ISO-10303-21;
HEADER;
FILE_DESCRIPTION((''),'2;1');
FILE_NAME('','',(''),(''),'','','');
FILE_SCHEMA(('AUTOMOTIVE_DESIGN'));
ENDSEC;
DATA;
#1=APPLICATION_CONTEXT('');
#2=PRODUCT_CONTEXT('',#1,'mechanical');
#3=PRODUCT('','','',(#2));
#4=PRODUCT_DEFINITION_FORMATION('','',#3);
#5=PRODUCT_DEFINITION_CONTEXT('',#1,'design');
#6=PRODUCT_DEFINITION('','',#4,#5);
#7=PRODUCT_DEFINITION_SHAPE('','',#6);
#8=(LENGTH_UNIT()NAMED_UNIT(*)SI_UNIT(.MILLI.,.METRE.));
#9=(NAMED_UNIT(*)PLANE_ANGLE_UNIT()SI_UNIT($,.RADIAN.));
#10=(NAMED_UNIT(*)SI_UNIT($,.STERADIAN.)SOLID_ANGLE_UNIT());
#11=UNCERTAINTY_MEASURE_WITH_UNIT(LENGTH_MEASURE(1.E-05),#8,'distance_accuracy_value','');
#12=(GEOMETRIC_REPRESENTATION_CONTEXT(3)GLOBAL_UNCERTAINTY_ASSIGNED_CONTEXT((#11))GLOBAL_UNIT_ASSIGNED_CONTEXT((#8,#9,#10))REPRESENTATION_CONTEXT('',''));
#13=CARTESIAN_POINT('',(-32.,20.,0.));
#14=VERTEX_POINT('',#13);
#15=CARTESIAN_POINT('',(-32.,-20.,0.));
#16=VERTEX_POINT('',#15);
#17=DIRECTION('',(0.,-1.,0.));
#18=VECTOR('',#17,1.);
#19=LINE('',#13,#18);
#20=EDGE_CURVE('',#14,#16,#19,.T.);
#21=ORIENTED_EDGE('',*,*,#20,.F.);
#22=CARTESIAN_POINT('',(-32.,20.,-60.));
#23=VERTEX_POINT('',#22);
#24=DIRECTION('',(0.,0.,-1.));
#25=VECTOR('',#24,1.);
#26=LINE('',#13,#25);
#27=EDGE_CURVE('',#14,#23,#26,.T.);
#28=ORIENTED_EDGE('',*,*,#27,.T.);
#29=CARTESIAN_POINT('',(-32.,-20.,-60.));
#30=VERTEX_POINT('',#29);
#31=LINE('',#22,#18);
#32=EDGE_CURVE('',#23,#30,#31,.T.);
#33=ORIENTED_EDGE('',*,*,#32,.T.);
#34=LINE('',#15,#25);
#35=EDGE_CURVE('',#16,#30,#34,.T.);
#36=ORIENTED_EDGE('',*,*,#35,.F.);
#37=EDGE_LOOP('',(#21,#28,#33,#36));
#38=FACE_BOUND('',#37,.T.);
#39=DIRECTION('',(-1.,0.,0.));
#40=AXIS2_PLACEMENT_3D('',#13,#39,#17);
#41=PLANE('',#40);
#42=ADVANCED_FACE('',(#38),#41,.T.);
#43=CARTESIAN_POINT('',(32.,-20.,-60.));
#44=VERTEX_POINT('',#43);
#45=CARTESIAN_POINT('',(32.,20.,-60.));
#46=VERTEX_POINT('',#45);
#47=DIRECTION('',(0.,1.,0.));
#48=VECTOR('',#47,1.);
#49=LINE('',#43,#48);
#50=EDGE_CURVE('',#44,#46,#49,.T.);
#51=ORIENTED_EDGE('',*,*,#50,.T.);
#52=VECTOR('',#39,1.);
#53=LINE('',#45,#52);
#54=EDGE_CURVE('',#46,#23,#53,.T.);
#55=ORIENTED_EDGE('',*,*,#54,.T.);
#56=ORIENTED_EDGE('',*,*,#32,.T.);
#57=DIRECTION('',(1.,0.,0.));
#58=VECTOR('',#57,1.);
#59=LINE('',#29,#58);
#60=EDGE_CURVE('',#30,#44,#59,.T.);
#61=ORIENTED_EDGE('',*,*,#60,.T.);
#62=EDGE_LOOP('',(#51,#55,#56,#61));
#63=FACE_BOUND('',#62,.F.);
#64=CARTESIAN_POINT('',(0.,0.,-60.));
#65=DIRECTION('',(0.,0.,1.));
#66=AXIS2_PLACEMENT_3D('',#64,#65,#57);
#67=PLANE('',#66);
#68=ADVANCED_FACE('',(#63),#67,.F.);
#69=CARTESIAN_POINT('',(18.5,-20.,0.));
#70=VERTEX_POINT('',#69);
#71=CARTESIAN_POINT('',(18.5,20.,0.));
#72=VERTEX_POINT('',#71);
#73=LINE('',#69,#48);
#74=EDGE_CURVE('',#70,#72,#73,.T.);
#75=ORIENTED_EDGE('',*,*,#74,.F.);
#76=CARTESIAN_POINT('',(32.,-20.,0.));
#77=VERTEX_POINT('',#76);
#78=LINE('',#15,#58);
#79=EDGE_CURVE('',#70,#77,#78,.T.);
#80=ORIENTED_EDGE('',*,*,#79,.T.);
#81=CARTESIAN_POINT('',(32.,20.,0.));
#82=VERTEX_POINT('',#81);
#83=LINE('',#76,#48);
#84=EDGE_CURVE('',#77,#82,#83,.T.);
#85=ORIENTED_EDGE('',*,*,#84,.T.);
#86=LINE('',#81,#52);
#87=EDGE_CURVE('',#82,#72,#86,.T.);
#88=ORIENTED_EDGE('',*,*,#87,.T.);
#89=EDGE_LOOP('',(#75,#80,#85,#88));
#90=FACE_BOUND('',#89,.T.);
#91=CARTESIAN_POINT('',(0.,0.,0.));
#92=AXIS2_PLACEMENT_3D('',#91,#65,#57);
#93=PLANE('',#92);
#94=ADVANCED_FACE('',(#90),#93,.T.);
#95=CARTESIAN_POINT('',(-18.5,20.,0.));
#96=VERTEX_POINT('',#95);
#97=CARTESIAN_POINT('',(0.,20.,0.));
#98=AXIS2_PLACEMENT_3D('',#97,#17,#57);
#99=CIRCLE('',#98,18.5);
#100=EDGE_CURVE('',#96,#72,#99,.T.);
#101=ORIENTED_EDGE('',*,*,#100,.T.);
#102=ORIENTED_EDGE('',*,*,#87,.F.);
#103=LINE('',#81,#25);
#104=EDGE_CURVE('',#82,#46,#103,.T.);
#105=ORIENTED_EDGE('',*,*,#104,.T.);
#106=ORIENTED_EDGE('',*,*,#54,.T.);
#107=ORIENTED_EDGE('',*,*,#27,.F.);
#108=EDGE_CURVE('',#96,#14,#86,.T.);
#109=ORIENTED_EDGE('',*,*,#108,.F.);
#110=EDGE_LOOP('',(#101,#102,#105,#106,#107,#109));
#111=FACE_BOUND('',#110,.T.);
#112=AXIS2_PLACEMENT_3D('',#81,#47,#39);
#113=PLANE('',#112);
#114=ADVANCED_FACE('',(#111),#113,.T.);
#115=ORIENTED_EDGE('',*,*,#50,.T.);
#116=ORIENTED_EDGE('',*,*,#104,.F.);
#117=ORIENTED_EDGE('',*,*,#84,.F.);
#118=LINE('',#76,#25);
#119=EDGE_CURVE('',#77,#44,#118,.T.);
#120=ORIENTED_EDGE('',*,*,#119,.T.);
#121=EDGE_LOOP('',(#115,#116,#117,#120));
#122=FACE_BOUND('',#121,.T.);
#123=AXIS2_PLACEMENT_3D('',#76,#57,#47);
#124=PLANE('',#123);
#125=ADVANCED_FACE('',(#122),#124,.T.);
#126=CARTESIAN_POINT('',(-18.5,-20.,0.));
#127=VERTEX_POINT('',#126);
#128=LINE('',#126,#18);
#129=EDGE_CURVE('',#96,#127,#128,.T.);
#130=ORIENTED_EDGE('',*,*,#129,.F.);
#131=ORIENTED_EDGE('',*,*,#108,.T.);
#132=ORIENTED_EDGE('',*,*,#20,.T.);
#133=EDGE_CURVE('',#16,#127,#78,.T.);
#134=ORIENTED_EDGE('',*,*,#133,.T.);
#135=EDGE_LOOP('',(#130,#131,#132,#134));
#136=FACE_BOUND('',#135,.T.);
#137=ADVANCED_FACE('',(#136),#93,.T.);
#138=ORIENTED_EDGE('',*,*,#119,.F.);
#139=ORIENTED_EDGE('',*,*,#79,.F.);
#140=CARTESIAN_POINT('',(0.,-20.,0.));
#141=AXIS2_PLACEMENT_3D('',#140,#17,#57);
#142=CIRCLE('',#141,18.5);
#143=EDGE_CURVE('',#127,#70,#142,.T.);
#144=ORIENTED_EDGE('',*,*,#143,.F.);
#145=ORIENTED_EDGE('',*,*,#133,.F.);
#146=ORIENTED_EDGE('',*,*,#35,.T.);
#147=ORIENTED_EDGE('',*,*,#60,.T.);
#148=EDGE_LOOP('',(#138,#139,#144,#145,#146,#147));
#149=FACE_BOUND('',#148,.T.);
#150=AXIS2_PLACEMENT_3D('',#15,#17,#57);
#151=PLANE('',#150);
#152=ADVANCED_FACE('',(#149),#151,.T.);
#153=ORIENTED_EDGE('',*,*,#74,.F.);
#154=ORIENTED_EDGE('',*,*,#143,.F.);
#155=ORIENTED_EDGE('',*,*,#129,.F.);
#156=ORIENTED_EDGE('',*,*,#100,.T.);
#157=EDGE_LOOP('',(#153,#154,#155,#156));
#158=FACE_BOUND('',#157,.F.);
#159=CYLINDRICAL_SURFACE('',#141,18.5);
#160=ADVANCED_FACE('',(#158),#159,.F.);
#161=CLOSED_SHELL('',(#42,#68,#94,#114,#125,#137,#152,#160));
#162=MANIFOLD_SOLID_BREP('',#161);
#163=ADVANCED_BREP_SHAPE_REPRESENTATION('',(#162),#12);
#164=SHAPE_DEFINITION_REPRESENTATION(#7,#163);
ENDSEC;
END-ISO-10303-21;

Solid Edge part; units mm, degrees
sketch "Sketch1" plane through (0, 0, 0) normal (0, 0, 1) x (1, 0, 0)
  line L0 (-32, -20) -> (32, -20)
  line L1 (32, -20) -> (32, 20)
  line L2 (32, 20) -> (-32, 20)
  line L3 (-32, 20) -> (-32, -20)
extrude "Protrusion1" add sketch "Sketch1" against normal blind 60
sketch "Sketch2" plane through (0, -20, -30) normal (0, -1, 0) x (1, 0, 0)
  circle A0 centre (0, 30) radius 18.5
extrude "Recorte_Extrudado_1" cut sketch "Sketch2" against normal blind 40
